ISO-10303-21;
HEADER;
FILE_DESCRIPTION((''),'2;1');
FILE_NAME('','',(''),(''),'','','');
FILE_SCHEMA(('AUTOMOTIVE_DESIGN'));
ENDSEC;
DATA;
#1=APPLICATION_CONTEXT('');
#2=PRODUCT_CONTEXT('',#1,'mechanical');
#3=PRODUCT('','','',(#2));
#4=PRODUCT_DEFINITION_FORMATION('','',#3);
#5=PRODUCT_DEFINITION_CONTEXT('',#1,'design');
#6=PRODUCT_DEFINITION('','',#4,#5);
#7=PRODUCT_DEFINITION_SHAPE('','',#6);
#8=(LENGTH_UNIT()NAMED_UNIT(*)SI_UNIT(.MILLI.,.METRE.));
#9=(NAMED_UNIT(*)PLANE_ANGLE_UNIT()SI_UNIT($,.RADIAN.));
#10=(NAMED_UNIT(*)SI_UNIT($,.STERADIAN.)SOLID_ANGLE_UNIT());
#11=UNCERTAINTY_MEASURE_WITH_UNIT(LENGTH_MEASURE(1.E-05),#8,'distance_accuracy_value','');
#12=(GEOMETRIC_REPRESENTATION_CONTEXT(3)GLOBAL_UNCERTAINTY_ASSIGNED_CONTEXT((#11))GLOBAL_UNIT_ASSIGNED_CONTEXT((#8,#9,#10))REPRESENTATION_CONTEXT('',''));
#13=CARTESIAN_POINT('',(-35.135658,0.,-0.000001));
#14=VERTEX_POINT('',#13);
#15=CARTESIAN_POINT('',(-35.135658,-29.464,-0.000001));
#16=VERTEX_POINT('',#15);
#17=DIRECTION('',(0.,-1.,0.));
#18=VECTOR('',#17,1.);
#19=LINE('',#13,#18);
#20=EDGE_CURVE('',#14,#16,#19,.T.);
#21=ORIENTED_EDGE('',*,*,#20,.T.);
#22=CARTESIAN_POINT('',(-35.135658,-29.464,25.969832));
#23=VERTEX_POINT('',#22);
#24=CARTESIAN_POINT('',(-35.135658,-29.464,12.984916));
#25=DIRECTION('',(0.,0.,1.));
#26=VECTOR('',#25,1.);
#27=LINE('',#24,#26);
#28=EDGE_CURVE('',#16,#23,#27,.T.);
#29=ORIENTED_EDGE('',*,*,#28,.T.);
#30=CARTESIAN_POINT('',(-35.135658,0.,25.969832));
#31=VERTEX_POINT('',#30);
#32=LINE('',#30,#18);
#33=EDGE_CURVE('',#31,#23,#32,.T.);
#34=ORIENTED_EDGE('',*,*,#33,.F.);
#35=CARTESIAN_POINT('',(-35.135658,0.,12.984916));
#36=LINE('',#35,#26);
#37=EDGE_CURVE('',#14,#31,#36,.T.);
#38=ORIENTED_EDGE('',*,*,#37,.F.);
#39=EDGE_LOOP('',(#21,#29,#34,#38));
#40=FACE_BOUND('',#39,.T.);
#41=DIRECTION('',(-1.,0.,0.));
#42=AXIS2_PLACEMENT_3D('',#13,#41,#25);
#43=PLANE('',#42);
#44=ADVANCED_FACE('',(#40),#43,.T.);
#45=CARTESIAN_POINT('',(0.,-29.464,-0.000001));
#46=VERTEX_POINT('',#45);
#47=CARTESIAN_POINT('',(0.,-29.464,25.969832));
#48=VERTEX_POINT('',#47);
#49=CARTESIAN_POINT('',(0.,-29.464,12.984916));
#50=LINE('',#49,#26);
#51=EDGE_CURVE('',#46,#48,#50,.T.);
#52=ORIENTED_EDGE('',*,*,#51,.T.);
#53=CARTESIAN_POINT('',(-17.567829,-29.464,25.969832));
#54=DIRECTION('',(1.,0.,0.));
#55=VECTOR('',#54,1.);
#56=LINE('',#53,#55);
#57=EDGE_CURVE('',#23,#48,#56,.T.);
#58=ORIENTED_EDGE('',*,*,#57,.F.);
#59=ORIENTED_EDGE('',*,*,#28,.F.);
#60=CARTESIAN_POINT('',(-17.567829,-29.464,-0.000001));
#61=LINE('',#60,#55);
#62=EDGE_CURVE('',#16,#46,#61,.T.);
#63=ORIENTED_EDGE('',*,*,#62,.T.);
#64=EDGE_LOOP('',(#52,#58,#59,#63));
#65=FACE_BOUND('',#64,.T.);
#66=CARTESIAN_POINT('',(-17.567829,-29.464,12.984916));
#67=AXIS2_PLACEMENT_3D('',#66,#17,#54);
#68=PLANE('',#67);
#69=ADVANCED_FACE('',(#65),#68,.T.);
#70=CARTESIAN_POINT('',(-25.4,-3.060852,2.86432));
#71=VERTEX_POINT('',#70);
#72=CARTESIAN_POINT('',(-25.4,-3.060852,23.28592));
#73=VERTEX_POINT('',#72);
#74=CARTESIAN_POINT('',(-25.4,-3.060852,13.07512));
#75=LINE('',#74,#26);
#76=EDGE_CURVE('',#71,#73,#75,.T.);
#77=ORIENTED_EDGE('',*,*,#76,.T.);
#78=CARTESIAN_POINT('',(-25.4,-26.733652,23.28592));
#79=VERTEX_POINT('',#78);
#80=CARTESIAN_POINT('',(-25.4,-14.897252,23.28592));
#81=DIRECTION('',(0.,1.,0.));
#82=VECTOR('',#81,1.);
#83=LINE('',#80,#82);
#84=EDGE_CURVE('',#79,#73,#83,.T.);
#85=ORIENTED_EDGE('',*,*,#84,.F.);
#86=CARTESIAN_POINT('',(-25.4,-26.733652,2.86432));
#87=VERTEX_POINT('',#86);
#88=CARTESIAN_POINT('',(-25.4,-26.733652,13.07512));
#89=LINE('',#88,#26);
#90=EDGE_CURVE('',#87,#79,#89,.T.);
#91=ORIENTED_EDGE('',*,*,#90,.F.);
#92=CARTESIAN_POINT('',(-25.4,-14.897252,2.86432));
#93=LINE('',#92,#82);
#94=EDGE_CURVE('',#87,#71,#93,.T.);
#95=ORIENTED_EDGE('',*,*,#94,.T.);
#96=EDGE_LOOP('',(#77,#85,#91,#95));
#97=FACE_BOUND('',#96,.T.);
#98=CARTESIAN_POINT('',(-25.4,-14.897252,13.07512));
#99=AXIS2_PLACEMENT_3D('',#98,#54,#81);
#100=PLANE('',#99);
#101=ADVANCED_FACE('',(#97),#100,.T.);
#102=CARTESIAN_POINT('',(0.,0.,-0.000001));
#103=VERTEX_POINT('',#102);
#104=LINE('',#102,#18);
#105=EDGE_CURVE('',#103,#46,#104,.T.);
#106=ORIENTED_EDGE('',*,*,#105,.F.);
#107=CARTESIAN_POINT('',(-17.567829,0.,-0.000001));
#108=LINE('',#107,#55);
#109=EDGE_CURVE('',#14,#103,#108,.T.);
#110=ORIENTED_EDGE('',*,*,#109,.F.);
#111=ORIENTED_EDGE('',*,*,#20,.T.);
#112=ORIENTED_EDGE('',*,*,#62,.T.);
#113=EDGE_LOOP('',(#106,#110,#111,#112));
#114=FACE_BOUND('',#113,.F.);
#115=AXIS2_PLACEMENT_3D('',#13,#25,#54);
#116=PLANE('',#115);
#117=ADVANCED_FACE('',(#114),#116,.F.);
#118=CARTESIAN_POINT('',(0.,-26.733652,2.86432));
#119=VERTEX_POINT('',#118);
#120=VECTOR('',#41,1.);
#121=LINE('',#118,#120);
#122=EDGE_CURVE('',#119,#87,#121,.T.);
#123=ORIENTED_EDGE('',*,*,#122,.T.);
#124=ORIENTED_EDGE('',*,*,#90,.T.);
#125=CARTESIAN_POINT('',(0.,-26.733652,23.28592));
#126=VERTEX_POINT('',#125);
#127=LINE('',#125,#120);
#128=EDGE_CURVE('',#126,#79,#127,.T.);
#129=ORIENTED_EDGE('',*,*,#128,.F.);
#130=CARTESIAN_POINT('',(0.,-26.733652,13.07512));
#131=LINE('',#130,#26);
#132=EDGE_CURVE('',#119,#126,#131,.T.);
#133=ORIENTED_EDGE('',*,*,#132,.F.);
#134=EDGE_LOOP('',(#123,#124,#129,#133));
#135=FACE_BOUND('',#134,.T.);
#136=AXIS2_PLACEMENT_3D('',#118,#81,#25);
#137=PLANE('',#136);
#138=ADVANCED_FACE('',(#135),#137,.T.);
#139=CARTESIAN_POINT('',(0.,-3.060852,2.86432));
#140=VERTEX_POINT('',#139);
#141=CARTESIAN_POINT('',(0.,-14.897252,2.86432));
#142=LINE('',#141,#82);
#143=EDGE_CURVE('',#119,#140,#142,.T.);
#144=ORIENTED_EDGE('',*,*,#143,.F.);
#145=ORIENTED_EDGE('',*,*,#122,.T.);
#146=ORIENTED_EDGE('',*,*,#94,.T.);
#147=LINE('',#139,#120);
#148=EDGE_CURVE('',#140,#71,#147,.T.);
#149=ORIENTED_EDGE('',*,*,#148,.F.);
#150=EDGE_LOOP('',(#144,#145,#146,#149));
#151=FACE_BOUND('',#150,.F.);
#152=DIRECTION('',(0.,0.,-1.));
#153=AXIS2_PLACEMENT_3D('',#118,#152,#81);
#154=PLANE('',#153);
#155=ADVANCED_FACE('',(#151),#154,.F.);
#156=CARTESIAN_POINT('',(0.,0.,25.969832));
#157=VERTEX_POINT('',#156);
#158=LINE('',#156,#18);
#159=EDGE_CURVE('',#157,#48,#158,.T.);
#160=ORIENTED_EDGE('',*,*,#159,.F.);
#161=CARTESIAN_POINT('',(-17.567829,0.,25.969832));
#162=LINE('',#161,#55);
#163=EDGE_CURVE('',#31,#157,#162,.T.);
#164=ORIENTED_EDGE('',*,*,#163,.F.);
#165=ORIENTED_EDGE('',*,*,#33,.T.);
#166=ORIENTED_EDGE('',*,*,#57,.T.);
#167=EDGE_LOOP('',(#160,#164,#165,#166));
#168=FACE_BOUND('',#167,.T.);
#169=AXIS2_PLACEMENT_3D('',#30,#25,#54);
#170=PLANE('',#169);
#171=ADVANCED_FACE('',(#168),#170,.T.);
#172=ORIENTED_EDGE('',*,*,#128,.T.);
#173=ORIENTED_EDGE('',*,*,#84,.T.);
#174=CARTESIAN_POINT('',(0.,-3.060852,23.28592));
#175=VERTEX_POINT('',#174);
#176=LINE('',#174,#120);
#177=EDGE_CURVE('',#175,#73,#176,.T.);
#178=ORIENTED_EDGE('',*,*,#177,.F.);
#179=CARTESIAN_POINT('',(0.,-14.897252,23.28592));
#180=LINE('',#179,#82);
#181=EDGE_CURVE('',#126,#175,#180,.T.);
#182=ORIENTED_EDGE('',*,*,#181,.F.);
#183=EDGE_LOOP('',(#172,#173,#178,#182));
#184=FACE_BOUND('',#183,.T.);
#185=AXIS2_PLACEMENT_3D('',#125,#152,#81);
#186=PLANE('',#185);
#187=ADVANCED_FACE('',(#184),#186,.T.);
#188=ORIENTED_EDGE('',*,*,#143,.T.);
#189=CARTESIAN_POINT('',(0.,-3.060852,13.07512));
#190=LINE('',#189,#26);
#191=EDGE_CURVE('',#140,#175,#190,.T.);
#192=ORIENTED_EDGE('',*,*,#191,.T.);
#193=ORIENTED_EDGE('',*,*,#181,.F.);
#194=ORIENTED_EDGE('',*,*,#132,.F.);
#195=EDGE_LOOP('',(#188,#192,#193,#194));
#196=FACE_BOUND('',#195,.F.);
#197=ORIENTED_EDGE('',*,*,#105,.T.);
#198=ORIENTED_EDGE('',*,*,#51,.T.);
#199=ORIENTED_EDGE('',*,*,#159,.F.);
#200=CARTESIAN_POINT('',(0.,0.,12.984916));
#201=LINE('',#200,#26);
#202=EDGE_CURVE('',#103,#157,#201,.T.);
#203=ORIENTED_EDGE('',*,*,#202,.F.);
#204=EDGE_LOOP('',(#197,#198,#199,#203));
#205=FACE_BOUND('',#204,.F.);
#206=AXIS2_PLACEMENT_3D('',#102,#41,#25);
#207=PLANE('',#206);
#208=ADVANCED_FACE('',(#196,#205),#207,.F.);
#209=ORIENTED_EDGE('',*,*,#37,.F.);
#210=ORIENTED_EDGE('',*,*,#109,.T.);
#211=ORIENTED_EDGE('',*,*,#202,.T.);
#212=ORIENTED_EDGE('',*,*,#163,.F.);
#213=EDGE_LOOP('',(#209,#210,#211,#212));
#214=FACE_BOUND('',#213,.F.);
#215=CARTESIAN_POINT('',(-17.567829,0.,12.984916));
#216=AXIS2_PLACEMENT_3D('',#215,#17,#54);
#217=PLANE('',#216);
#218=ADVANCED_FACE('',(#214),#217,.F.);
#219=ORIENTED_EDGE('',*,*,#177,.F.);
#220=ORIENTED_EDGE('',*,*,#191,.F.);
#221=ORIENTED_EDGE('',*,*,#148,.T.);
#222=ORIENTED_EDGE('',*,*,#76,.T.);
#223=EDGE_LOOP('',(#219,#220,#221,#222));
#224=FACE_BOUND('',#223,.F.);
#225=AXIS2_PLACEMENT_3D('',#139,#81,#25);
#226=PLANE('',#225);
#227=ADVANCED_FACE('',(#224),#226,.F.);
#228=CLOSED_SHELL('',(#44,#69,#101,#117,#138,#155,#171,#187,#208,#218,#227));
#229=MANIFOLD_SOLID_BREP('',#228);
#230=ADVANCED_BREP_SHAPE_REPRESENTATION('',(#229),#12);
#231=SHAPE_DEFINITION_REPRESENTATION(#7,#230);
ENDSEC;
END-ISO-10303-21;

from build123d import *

# Parameters (mm, degrees)
F0_W     = 35.135657
F0_H     = 25.969833
F1_DEPTH = 29.464
F2_W     = 23.6728
F2_H     = 20.4216
F3_DEPTH = 25.4


with BuildPart() as f1:
    # F0 (on Front) → F1 (new body)
    with BuildSketch(Plane.XZ):
        with Locations((-17.567829, 12.984916)):
            Rectangle(F0_W, F0_H)
    extrude(amount=F1_DEPTH)

    # F2 (on face) → F3 (cut)
    with BuildSketch(Plane.YZ):
        with Locations((-14.897252, 13.07512)):
            Rectangle(F2_W, F2_H)
    extrude(amount=-F3_DEPTH, mode=Mode.SUBTRACT)


solid = f1.part
